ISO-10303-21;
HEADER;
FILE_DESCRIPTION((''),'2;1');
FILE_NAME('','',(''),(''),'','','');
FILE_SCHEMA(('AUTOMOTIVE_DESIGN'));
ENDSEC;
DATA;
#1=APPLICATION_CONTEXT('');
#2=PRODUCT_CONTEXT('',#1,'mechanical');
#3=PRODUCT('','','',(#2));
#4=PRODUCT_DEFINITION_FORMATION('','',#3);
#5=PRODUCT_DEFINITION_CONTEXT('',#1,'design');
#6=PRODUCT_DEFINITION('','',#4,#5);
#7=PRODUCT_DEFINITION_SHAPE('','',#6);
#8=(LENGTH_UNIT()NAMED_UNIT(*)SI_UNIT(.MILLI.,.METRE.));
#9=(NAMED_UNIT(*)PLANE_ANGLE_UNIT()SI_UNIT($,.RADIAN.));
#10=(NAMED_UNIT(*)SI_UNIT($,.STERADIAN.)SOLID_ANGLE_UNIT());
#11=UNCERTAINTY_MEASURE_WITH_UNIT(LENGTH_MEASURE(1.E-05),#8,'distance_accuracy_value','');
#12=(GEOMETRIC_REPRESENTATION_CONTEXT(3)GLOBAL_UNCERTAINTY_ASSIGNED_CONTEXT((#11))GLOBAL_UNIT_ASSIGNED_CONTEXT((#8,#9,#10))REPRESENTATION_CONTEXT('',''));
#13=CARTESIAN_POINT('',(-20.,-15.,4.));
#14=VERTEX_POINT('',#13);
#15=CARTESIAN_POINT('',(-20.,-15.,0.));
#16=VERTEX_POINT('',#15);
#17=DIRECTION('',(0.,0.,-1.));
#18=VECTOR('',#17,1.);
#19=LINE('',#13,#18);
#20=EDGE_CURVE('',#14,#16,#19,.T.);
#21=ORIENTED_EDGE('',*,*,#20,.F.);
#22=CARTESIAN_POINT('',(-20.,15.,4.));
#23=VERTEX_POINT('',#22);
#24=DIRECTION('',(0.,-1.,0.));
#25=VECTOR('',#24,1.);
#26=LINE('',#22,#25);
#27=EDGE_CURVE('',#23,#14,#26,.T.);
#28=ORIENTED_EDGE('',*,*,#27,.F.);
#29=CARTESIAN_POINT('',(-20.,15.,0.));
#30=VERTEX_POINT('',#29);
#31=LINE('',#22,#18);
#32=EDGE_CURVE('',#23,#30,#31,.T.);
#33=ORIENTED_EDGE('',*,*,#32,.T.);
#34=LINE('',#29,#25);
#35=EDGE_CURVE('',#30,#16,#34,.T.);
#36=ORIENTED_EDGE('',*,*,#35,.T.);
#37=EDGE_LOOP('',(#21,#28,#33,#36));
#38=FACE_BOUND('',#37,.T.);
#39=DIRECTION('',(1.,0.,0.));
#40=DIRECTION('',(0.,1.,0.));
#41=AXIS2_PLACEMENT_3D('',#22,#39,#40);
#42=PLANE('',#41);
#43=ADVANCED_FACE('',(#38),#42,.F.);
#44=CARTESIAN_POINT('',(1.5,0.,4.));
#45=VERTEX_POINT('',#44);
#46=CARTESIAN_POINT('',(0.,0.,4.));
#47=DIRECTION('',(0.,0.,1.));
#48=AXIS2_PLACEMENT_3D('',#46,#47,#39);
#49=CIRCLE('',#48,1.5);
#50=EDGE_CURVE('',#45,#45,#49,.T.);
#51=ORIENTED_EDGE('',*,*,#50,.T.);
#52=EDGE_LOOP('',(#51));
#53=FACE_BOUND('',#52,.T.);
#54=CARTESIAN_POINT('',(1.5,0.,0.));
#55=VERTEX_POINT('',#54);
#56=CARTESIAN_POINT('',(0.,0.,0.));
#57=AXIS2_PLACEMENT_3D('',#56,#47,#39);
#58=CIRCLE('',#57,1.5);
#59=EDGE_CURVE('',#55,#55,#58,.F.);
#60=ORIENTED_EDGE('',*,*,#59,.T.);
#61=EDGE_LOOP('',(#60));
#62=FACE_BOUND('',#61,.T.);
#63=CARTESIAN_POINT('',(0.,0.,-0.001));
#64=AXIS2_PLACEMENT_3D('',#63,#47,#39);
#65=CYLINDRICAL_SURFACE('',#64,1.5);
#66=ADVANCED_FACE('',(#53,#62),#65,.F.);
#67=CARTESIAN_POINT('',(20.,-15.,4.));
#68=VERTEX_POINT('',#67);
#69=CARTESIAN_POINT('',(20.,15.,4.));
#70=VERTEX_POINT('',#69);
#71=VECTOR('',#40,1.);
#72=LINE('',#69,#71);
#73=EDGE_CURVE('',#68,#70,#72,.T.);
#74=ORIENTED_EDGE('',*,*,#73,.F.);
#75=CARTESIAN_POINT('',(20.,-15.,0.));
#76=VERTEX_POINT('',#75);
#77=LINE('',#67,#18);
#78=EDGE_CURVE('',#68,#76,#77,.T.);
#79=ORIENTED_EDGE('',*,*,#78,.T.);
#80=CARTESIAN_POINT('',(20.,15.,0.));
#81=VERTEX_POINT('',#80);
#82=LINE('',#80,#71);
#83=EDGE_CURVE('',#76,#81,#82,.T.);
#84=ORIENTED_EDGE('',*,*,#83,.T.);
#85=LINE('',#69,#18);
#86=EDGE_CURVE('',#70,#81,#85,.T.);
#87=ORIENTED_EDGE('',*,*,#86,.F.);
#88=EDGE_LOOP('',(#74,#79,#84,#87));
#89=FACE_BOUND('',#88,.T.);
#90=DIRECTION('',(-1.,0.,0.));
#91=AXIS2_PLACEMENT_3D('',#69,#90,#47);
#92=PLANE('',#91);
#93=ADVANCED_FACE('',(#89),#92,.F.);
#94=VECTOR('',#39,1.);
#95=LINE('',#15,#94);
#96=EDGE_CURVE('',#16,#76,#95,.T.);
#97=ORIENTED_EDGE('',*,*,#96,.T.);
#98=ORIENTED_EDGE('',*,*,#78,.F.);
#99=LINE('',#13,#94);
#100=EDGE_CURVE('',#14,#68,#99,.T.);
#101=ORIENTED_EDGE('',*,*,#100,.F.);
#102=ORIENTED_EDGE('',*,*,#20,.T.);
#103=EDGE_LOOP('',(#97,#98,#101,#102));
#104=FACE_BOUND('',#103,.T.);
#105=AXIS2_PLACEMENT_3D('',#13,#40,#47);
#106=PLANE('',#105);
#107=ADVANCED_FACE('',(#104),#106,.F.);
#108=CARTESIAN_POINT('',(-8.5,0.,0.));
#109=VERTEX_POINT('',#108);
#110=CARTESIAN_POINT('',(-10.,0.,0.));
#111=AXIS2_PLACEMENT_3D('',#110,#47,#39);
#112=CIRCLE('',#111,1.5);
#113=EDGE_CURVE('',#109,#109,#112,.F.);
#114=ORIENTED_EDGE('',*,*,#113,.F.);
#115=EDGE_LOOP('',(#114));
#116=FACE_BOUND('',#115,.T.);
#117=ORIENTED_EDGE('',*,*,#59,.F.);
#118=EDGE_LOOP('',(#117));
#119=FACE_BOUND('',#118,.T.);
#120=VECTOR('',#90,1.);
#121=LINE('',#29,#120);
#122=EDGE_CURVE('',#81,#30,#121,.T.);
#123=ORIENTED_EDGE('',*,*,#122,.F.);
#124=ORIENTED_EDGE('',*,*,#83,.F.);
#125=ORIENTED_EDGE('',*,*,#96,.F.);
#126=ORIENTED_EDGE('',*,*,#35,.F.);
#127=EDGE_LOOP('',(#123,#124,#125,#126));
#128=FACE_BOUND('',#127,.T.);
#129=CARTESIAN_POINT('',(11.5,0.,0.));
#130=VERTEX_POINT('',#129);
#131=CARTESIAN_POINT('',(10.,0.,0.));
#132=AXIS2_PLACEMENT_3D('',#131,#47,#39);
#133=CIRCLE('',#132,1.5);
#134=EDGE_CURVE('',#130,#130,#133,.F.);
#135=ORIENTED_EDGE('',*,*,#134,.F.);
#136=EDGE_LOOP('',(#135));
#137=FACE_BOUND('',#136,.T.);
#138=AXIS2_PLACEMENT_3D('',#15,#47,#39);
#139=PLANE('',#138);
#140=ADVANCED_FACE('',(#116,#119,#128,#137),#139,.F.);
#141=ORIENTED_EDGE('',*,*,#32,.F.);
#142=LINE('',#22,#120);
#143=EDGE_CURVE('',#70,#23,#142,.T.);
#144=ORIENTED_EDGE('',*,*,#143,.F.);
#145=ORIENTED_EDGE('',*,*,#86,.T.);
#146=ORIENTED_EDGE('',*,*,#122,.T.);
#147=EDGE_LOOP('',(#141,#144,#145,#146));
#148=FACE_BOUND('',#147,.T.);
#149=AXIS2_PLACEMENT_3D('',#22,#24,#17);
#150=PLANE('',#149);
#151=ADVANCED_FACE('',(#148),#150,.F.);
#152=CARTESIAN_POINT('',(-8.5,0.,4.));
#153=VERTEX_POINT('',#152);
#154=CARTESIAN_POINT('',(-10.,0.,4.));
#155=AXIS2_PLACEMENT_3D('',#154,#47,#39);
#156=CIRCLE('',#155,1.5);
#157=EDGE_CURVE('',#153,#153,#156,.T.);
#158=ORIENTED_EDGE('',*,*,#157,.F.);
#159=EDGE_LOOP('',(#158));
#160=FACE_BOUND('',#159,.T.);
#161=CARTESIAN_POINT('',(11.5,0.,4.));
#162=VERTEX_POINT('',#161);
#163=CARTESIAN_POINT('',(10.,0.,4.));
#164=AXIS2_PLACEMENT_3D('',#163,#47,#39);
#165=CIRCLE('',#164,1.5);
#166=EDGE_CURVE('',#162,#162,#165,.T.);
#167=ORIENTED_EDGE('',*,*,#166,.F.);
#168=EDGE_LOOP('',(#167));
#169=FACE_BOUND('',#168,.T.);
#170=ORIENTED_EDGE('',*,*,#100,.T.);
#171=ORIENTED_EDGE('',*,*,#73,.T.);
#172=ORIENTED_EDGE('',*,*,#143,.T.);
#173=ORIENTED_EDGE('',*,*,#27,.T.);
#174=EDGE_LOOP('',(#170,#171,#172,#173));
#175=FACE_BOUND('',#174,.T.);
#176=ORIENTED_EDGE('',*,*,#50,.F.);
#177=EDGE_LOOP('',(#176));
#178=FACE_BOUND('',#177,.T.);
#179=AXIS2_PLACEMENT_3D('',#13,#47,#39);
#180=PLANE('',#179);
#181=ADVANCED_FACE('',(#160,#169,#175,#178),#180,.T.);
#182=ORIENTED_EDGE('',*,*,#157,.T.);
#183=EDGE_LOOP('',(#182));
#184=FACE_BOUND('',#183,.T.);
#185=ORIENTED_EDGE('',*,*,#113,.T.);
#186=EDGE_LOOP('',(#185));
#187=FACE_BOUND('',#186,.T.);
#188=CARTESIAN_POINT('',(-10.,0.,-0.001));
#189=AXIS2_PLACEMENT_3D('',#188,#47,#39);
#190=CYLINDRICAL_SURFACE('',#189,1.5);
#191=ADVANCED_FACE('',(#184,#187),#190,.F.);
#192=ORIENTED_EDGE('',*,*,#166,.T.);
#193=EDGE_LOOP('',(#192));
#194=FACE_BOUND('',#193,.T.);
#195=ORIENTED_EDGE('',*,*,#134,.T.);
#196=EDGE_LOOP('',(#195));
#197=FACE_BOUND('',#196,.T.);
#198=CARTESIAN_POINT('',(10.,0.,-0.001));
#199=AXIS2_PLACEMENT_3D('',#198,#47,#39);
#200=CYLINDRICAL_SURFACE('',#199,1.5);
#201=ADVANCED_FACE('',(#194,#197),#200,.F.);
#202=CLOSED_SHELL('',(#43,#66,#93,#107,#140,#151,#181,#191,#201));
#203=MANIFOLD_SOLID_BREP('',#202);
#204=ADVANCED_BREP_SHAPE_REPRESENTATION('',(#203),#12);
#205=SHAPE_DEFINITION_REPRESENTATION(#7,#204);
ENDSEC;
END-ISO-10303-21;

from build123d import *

# Parameters (mm, degrees)
ESBO_O1_W                = 40
ESBO_O1_H                = 30
RESSALTO_EXTRUS_O1_DEPTH = 4
CORTE_EXTRUS_O1_REACH    = 27.318
ESBO_O2_R                = 1.5


with BuildPart() as part:
    # Esboço1 → Ressalto-extrusão1 (new body)
    with BuildSketch(Plane.XY):
        Rectangle(ESBO_O1_W, ESBO_O1_H)
    extrude(amount=RESSALTO_EXTRUS_O1_DEPTH)

    # Esboço2 → Corte-extrusão1 (cut, up to next)
    with BuildSketch(Plane.XY.offset(4), mode=Mode.PRIVATE) as corte_extrus_o1_sk1:
        Circle(ESBO_O2_R)
    corte_extrus_o1_tool1 = extrude(corte_extrus_o1_sk1.sketch, amount=-CORTE_EXTRUS_O1_REACH, mode=Mode.PRIVATE) & part.part
    # Esboço2 → Corte-extrusão1 (cut, up to next)
    with BuildSketch(Plane.XY.offset(4), mode=Mode.PRIVATE) as corte_extrus_o1_sk2:
        with Locations((-10, 0)):
            Circle(ESBO_O2_R)
    corte_extrus_o1_tool2 = extrude(corte_extrus_o1_sk2.sketch, amount=-CORTE_EXTRUS_O1_REACH, mode=Mode.PRIVATE) & part.part
    # Esboço2 → Corte-extrusão1 (cut, up to next)
    with BuildSketch(Plane.XY.offset(4), mode=Mode.PRIVATE) as corte_extrus_o1_sk3:
        with Locations((10, 0)):
            Circle(ESBO_O2_R)
    corte_extrus_o1_tool3 = extrude(corte_extrus_o1_sk3.sketch, amount=-CORTE_EXTRUS_O1_REACH, mode=Mode.PRIVATE) & part.part
    add(corte_extrus_o1_tool1.solids().sort_by_distance((0, 0, 4))[0], mode=Mode.SUBTRACT)
    add(corte_extrus_o1_tool2.solids().sort_by_distance((-10, 0, 4))[0], mode=Mode.SUBTRACT)
    add(corte_extrus_o1_tool3.solids().sort_by_distance((10, 0, 4))[0], mode=Mode.SUBTRACT)


solid = part.part
